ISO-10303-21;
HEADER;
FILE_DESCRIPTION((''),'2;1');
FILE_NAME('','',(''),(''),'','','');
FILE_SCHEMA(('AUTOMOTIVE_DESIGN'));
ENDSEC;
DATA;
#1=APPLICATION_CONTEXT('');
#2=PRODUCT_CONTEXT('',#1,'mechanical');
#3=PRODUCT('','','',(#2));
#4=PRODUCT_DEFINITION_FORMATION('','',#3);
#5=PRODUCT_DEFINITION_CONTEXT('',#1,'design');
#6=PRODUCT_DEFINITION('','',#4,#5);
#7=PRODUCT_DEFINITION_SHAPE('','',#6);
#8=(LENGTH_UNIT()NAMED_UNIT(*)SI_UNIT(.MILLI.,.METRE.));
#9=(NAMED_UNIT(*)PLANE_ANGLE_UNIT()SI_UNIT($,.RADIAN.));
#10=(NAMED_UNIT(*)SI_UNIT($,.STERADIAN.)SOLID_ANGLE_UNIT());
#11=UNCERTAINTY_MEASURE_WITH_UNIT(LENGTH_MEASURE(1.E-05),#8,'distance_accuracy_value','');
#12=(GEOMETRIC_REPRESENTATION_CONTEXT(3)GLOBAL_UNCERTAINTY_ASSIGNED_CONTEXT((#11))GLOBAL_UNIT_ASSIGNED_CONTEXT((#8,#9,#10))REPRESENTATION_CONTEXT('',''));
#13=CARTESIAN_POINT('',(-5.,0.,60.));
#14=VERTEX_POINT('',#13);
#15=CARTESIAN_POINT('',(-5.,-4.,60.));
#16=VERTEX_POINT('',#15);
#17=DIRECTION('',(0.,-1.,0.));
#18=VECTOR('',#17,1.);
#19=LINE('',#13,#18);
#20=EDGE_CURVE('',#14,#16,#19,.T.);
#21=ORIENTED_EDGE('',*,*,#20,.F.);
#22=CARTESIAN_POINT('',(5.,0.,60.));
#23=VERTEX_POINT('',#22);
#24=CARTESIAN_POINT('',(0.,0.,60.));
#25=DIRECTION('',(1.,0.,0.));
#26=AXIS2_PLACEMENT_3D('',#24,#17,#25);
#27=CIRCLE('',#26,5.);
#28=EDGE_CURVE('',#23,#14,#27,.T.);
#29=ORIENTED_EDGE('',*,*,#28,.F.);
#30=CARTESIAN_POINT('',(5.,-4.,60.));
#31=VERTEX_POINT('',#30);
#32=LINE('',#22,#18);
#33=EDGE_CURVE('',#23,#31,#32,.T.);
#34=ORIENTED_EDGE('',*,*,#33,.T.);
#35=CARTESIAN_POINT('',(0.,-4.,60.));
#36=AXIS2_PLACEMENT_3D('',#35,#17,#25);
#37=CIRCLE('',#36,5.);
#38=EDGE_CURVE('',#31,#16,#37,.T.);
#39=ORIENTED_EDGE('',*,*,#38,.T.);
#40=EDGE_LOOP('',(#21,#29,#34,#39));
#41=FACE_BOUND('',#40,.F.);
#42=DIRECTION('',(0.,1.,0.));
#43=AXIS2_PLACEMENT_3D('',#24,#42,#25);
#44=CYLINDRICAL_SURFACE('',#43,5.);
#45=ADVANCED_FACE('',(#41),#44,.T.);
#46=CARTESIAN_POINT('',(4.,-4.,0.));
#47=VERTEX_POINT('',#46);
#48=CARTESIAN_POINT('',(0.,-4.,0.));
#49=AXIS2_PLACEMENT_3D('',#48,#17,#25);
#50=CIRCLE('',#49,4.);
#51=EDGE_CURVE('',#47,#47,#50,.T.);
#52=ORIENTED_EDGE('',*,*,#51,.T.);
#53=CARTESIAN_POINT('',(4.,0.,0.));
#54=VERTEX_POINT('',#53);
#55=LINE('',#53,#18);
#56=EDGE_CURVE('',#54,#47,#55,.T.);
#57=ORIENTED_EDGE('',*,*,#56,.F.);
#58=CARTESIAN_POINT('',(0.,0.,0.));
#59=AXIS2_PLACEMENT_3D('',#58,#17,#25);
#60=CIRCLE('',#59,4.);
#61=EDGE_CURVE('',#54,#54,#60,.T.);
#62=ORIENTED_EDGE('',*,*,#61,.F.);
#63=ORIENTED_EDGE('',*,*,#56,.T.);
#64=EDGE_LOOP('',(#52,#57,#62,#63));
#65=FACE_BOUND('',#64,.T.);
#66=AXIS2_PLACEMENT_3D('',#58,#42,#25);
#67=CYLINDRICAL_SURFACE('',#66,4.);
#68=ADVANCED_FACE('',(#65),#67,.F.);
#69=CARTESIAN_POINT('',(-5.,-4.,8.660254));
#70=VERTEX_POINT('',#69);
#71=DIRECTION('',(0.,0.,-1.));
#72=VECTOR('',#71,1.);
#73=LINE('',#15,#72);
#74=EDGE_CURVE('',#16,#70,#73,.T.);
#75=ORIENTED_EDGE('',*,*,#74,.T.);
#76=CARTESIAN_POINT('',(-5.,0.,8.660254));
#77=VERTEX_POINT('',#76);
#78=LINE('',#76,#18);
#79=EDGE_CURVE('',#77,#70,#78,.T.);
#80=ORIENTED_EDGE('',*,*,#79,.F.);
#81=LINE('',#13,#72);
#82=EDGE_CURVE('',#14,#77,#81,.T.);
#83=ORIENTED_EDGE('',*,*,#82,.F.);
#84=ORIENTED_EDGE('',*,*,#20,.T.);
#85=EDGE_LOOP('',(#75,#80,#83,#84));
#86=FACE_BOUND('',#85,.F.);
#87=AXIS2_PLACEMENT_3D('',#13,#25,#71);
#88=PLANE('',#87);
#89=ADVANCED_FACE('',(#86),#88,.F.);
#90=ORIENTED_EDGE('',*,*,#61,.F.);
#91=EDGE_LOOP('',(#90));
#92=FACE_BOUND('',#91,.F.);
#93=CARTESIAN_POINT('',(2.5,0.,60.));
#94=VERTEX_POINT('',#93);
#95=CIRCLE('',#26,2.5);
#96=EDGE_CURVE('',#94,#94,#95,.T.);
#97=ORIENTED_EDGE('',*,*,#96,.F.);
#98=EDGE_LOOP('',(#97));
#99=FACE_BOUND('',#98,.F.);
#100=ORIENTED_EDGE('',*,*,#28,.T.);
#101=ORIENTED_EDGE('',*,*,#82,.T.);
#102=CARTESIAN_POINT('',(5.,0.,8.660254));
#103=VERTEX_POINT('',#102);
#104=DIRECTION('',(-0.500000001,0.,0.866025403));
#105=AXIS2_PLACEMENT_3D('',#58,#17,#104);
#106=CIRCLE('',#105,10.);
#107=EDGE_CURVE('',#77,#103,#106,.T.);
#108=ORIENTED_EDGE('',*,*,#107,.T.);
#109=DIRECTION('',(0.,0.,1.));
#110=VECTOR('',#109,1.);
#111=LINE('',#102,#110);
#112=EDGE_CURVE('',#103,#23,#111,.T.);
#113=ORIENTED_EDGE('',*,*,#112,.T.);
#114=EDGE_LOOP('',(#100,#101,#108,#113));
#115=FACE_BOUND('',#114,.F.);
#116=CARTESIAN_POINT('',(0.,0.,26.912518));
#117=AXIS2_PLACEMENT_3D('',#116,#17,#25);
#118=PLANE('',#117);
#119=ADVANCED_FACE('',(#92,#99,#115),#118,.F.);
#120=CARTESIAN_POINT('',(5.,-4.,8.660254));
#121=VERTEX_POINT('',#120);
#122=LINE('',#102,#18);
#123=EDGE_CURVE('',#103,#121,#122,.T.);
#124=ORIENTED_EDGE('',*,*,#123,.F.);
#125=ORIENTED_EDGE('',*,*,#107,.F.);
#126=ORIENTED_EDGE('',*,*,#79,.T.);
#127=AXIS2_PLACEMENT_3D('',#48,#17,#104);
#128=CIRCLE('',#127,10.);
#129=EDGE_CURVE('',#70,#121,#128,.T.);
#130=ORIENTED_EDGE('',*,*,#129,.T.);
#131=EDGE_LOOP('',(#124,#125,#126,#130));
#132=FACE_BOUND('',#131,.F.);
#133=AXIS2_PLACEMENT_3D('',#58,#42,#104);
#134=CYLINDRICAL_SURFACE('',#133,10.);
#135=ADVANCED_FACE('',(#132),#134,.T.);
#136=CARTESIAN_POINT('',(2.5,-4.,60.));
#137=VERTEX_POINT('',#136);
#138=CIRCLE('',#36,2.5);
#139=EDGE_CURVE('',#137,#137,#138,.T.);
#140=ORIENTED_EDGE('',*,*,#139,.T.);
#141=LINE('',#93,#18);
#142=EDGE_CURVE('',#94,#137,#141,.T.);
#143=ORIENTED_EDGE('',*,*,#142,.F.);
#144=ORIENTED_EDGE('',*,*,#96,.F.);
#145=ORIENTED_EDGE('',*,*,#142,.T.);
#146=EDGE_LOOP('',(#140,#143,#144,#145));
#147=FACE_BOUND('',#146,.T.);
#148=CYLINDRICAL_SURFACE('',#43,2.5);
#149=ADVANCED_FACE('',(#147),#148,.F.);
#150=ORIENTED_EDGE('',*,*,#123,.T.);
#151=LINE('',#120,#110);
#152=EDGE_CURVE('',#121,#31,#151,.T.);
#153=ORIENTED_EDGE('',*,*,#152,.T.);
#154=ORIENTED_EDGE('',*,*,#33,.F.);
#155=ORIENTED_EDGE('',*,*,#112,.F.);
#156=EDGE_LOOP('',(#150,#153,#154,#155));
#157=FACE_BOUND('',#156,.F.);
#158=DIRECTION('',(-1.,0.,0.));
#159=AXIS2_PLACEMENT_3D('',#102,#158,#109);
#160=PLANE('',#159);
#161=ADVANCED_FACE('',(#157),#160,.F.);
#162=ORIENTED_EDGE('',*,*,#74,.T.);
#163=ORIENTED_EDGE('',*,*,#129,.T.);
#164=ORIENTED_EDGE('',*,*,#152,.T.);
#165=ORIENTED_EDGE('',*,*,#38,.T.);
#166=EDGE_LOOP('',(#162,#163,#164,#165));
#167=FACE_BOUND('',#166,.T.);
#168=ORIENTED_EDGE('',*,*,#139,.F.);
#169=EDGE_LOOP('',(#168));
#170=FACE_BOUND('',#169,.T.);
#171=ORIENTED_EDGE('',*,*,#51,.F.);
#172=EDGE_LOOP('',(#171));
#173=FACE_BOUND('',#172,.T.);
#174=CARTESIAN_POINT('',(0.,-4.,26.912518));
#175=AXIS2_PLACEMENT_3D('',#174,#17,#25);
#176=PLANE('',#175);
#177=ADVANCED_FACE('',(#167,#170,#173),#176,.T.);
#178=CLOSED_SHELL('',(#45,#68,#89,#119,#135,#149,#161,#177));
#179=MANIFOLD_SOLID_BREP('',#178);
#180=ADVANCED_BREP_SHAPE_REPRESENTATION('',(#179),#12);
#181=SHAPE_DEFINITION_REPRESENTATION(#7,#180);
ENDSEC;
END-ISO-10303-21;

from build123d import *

# Parameters (mm, degrees)
F0_R     = 4
F0_R_2   = 2.5
F1_DEPTH = 4


with BuildPart() as f1:
    # F0 (on Front) → F1 (new body)
    with BuildSketch(Plane.XZ):
        with BuildLine():
            Line((-5, 60), (-5, 8.660254))
            ThreePointArc((-5, 8.660254), (0, -10), (5, 8.660254))
            Line((5, 8.660254), (5, 60))
            ThreePointArc((5, 60), (0, 65), (-5, 60))
        make_face()
        Circle(F0_R, mode=Mode.SUBTRACT)
        with Locations((0, 60)):
            Circle(F0_R_2, mode=Mode.SUBTRACT)
    extrude(amount=F1_DEPTH)


solid = f1.part
